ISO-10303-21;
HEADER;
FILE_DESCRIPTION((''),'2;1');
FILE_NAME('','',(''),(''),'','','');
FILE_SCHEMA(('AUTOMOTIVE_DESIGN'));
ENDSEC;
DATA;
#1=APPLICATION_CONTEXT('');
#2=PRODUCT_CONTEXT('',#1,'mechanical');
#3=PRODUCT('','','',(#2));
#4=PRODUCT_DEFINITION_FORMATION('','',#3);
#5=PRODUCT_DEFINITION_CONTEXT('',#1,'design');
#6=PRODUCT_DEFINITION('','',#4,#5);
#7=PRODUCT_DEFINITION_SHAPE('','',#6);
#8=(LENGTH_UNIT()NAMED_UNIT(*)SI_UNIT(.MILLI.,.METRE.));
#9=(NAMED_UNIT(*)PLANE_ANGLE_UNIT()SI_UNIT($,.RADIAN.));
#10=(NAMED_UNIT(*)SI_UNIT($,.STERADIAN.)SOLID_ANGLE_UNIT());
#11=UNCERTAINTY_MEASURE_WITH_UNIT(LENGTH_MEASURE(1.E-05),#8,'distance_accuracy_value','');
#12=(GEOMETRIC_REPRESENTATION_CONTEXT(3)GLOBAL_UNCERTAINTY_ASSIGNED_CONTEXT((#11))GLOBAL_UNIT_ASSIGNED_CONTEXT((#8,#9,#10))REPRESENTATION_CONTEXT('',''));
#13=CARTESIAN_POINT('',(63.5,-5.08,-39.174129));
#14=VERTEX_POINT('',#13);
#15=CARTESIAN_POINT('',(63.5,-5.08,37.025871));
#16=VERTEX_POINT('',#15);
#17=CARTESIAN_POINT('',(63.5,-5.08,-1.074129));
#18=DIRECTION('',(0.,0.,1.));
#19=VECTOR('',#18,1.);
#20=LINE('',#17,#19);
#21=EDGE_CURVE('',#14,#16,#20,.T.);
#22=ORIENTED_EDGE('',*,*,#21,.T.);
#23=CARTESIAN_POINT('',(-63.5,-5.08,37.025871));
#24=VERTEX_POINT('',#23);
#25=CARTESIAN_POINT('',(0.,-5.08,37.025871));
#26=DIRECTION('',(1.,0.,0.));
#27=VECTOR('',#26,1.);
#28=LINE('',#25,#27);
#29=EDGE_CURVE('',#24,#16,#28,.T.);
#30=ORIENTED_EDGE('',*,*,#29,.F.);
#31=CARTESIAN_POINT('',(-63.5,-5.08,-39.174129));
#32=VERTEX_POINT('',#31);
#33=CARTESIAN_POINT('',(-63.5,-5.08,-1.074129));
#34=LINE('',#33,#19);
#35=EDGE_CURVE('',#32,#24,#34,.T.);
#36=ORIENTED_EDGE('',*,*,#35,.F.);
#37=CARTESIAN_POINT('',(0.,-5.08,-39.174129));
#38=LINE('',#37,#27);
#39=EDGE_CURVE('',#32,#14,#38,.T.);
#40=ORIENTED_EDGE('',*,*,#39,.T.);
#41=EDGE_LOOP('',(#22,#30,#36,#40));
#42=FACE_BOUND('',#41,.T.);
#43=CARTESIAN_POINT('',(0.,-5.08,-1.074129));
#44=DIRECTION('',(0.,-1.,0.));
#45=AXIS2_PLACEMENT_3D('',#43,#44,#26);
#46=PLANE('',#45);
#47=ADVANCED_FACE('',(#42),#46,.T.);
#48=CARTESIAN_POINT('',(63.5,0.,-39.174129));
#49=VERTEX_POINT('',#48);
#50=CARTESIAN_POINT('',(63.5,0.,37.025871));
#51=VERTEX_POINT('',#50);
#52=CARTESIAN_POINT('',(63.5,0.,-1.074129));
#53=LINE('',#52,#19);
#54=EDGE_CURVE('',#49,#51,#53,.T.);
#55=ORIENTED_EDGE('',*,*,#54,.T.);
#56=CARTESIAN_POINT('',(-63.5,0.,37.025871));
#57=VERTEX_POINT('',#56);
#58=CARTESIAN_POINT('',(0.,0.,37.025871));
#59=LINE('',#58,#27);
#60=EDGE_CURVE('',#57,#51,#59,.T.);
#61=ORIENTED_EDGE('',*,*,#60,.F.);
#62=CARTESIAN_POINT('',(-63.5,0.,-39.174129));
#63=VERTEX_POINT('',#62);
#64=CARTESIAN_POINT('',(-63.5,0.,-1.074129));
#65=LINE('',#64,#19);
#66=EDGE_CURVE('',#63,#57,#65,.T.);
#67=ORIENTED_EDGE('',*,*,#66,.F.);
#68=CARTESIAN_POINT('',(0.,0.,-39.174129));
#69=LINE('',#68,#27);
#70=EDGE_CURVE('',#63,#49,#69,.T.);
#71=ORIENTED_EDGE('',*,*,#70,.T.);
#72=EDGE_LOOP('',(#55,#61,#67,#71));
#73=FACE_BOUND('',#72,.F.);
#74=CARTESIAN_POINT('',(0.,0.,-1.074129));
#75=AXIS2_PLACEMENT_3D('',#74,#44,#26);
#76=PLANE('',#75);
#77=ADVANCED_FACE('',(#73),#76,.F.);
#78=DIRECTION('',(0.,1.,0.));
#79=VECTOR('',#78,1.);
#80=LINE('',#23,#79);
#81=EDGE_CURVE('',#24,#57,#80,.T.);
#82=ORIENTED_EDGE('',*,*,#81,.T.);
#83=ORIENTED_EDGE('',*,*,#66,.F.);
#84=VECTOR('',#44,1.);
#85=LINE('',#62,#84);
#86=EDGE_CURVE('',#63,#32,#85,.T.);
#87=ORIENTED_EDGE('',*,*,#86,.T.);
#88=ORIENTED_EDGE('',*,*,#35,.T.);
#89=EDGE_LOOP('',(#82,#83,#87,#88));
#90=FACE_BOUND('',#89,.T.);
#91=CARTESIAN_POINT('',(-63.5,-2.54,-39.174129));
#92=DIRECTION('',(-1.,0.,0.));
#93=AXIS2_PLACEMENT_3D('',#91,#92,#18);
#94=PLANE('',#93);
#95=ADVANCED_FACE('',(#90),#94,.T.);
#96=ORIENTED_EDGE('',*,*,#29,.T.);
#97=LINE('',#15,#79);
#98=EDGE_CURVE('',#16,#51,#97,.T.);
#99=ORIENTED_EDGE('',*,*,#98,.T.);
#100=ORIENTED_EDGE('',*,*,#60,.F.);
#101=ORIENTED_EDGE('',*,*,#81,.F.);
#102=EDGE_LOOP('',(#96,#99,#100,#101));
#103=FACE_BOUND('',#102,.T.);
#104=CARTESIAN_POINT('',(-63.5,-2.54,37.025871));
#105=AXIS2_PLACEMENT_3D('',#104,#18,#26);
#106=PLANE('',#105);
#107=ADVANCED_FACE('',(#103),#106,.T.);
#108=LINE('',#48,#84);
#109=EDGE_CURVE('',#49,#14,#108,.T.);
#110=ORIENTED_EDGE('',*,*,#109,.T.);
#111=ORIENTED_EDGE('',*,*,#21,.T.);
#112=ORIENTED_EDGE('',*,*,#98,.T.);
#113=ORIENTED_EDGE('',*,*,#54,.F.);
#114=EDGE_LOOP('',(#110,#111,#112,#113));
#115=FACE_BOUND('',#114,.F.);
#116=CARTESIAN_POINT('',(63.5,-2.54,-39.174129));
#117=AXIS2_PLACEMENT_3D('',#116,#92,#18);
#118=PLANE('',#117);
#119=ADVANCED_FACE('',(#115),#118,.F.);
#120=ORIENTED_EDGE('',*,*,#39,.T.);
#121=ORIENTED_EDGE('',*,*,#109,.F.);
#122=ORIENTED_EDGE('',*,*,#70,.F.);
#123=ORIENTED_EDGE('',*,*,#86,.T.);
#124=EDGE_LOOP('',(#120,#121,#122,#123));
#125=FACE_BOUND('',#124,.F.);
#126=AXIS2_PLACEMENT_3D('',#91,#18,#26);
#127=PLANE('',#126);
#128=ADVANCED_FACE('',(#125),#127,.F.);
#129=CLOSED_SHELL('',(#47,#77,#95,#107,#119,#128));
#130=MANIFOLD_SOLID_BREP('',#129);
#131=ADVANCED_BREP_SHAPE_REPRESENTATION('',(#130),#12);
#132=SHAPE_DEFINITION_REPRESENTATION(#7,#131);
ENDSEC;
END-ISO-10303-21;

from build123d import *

# Parameters (mm, degrees)
F1_W     = 127
F1_H     = 76.2
F2_DEPTH = 2.54
F3_W     = 127
F3_H     = 76.2
F5_DEPTH = 2.54


with BuildPart() as f2:
    # F1 (on face) → F2 (new body)
    with BuildSketch(Plane.XZ):
        with Locations((0, -1.074129)):
            Rectangle(F1_W, F1_H)
    extrude(amount=F2_DEPTH)

    # F3 (on face) → F5 (join)
    with BuildSketch(Plane.XZ.offset(2.54)):
        with Locations((0, -1.074129)):
            Rectangle(F3_W, F3_H)
    extrude(amount=F5_DEPTH)


solid = f2.part
